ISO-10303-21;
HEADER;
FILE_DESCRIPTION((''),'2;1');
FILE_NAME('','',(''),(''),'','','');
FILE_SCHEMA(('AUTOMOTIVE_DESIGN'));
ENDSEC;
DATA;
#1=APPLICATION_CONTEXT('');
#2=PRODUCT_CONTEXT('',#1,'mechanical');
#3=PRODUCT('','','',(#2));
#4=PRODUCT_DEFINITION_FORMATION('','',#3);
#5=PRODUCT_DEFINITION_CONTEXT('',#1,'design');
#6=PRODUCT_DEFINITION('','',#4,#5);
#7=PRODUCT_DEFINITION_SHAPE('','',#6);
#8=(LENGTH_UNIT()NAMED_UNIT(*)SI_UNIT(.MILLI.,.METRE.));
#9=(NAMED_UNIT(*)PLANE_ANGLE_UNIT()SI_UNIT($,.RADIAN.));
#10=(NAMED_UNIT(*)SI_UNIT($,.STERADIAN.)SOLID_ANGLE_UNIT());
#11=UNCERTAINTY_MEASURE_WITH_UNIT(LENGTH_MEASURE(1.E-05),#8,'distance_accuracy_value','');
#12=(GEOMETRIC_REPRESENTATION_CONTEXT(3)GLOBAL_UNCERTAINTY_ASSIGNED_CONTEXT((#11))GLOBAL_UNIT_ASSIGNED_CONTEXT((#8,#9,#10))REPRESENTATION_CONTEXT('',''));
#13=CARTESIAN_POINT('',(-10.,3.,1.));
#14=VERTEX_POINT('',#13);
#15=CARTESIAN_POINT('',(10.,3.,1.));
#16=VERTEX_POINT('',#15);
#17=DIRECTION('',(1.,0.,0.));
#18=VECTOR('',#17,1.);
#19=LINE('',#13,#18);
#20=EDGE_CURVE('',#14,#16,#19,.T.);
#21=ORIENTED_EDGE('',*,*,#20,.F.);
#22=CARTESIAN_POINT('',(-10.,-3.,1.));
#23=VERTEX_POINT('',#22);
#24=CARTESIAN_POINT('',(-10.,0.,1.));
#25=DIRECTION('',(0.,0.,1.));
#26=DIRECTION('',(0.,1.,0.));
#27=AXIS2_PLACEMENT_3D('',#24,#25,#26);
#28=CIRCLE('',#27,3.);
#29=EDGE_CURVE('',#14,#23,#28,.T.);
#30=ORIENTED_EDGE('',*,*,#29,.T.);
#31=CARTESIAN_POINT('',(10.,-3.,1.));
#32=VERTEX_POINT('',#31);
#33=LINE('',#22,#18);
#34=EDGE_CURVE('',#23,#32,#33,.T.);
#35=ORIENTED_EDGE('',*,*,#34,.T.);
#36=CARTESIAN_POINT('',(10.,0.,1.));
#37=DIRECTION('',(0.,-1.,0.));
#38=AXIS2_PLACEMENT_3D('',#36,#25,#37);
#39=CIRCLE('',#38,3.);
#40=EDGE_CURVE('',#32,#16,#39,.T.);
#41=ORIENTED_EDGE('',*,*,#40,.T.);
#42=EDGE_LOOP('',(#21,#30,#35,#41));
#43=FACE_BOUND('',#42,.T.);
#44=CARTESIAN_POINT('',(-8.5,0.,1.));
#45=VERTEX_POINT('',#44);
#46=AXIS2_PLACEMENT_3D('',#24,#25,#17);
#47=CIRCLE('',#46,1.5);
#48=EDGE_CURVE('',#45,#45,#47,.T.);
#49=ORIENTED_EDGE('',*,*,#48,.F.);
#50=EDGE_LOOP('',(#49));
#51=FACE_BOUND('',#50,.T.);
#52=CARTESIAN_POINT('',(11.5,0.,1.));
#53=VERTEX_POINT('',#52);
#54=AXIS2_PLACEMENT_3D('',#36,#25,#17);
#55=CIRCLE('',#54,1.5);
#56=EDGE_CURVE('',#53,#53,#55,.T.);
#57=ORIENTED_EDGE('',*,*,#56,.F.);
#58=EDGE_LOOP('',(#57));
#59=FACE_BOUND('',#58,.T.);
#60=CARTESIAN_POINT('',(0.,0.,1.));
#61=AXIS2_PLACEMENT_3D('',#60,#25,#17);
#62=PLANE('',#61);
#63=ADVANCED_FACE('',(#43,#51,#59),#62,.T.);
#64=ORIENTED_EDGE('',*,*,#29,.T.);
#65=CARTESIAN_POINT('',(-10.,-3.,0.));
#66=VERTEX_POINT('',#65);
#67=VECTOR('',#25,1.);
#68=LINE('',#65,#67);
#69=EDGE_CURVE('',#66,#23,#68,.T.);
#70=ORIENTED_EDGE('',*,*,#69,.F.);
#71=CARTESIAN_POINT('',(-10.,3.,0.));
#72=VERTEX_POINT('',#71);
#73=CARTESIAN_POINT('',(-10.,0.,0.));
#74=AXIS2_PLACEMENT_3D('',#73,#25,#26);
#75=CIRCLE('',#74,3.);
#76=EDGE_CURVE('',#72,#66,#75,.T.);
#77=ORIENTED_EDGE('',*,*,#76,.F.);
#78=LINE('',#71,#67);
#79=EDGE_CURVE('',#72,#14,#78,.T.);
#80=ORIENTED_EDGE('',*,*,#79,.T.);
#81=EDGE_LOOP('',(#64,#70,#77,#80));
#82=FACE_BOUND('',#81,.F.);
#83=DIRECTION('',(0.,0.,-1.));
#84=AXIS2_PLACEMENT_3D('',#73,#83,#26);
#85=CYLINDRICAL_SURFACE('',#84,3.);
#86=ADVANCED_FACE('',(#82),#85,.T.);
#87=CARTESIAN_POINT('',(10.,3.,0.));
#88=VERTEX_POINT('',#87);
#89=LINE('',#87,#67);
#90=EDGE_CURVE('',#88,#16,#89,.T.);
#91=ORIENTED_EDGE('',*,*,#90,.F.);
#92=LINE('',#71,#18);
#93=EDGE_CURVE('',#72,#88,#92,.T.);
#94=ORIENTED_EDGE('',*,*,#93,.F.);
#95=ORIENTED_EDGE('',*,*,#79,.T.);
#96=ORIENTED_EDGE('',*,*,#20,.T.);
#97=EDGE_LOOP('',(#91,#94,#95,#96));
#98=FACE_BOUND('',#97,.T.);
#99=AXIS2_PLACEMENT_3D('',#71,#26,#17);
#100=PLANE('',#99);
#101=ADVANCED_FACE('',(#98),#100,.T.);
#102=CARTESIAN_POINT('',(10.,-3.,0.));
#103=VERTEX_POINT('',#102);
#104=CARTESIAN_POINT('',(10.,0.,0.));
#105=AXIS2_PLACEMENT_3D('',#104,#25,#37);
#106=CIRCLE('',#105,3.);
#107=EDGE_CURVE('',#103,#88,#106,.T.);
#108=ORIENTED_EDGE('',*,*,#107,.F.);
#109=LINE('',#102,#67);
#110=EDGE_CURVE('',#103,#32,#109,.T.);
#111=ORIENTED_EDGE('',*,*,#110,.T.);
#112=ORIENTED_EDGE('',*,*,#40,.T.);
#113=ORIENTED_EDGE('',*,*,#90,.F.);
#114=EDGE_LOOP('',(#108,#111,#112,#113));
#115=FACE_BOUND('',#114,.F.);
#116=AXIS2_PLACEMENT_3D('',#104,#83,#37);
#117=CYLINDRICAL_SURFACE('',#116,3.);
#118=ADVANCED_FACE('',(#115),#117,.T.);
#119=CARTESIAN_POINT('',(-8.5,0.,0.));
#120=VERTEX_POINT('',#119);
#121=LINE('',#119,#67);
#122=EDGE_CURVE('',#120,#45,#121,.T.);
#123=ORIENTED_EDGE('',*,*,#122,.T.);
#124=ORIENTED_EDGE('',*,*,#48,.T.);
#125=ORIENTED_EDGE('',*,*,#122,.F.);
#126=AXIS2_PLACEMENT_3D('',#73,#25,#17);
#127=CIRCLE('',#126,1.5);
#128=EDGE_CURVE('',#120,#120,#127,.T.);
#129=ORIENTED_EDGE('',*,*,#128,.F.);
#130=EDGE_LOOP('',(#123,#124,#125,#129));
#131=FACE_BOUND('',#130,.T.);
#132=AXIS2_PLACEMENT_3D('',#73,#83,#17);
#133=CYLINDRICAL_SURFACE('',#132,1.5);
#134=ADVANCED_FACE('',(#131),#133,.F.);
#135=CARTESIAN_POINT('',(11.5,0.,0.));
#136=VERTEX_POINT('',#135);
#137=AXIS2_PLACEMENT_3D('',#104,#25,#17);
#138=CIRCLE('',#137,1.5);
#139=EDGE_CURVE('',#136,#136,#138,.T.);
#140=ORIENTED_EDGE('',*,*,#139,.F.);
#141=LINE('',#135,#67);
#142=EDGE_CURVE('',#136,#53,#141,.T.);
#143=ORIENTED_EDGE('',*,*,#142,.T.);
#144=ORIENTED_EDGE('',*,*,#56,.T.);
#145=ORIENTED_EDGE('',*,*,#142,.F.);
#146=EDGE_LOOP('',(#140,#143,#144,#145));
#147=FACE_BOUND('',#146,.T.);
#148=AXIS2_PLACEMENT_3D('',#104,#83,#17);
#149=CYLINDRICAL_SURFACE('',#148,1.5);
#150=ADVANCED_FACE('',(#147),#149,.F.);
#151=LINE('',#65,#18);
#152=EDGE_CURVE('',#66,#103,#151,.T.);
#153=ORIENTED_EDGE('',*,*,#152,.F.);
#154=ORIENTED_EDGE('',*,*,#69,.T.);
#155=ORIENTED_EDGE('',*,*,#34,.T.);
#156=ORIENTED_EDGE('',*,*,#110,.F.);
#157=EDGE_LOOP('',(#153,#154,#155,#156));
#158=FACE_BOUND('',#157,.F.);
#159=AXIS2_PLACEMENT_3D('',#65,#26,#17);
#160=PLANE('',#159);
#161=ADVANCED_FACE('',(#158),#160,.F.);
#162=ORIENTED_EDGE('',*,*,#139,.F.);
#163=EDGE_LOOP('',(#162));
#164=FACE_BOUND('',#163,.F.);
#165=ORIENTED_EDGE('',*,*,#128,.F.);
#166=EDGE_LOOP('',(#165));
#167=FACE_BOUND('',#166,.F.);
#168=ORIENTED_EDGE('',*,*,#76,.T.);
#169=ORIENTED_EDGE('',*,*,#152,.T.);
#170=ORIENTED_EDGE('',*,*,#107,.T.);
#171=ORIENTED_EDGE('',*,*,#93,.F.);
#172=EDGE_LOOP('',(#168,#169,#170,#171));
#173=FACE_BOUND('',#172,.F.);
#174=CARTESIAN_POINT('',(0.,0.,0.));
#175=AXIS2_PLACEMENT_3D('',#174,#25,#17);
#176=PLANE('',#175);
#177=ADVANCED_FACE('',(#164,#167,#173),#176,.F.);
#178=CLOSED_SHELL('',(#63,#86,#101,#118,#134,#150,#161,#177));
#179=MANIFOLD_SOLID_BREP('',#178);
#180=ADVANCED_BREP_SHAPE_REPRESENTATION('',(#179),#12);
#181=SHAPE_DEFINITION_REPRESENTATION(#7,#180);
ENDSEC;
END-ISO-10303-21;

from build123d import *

# Parameters (mm, degrees)
SKETCH_R  = 1.5
PAD_DEPTH = 1


with BuildPart() as part:
    # Sketch → Pad (new body)
    with BuildSketch(Plane.XY):
        with BuildLine():
            ThreePointArc((-10, 3), (-13, 0), (-10, -3))
            Line((-10, -3), (10, -3))
            ThreePointArc((10, -3), (13, 0), (10, 3))
            Line((-10, 3), (10, 3))
        make_face()
        with Locations((-10, 0)):
            Circle(SKETCH_R, mode=Mode.SUBTRACT)
        with Locations((10, 0)):
            Circle(SKETCH_R, mode=Mode.SUBTRACT)
    extrude(amount=PAD_DEPTH)


solid = part.part
